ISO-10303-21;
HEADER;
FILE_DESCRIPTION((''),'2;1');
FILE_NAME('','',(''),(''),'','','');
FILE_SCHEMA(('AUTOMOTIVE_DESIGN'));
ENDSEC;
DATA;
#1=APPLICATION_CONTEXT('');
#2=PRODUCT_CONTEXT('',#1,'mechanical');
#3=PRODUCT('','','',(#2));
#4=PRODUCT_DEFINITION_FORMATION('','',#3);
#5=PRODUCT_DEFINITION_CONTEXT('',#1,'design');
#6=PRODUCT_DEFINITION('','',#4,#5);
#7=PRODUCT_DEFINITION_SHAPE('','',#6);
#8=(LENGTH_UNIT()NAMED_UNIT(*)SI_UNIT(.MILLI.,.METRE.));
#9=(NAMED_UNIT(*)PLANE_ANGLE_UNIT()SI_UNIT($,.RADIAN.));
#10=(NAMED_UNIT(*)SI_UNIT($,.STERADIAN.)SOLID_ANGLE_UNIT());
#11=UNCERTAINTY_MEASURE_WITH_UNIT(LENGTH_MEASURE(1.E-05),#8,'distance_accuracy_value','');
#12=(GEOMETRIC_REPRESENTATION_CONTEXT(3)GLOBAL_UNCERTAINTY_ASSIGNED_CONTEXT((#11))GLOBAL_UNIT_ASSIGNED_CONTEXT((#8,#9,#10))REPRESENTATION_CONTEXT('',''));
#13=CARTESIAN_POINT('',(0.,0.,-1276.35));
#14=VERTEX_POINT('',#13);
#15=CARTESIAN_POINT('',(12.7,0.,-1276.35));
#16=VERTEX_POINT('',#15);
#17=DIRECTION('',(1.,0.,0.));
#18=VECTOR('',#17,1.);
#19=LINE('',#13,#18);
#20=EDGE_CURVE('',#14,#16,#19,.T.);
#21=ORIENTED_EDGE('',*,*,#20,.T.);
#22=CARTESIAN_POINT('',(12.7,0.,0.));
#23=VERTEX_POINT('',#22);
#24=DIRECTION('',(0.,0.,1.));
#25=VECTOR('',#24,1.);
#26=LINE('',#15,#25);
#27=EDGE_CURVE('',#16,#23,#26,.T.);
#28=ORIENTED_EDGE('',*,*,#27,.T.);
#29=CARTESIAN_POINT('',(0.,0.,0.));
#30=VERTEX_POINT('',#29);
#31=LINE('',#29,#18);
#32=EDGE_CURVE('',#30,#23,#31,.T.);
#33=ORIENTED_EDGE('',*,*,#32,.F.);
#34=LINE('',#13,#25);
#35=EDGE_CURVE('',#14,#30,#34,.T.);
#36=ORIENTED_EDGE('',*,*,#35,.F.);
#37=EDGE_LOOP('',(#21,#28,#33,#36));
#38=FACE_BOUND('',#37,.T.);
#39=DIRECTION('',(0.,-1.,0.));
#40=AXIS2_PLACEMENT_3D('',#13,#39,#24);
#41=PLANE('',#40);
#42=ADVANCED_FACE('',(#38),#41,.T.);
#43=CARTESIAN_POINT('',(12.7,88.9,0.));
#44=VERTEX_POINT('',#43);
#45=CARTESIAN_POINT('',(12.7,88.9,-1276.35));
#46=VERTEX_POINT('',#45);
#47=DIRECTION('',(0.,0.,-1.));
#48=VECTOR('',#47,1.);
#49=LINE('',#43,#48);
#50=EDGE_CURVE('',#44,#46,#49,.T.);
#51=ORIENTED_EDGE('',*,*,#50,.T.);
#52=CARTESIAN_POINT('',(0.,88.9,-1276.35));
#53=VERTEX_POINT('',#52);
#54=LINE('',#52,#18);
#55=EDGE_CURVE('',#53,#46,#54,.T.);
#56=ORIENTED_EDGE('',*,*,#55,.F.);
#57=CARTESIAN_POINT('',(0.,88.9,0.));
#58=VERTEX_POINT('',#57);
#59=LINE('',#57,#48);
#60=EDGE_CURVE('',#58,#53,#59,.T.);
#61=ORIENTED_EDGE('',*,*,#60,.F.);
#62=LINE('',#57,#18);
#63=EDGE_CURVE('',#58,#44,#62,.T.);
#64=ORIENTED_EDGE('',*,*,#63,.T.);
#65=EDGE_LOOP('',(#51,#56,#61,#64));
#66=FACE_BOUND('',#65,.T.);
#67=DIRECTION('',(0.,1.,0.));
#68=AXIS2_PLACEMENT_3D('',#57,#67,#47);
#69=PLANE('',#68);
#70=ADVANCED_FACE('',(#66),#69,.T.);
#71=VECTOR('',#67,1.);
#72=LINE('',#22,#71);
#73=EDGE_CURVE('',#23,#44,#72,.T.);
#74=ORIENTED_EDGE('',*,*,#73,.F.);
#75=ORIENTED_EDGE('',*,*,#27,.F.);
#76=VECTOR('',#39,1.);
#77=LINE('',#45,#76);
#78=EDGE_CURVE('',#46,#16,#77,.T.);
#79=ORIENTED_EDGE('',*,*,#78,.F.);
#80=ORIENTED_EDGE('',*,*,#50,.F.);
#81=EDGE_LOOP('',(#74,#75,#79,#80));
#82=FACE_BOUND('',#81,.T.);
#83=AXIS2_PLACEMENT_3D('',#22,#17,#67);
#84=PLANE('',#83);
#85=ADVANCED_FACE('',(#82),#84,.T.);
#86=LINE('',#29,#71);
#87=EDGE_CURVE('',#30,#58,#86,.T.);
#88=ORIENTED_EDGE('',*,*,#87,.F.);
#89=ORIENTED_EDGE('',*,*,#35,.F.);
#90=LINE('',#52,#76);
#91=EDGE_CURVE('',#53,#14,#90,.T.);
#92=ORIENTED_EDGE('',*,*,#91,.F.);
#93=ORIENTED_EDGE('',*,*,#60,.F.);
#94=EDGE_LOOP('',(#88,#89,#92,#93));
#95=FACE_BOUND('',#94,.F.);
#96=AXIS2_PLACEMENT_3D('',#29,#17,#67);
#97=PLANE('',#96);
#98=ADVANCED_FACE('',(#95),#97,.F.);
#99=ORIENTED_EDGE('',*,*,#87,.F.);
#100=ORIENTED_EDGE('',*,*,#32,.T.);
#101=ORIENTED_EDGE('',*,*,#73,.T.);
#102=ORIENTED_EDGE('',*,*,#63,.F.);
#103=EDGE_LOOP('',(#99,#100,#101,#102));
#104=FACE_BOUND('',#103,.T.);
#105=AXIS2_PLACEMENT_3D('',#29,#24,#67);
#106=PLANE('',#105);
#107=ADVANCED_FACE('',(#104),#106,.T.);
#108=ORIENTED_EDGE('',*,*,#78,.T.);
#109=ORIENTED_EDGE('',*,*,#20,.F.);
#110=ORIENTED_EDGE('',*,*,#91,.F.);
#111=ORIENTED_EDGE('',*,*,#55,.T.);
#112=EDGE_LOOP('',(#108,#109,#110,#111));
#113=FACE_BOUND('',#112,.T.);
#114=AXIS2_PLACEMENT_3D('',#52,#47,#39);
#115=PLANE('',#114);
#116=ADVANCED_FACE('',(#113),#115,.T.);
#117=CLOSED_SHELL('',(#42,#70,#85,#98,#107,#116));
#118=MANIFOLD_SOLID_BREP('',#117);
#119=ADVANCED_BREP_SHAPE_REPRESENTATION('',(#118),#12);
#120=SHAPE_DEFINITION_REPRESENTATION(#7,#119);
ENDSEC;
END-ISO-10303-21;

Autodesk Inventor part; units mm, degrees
ref_plane "YZ Plane" through (0, 0, 0) normal (1, 0, 0) x (0, 1, 0)
ref_plane "XZ Plane" through (0, 0, 0) normal (0, 1, 0) x (-1, 0, 0)
ref_plane "XY Plane" through (0, 0, 0) normal (0, 0, 1) x (1, 0, 0)
sketch "Sketch1" plane through (0, 0, 0) normal (1, 0, 0) x (0, 1, 0)
  line L0 (0, 0) -> (88.9, 0)
  line L1 (88.9, 0) -> (88.9, -1276.35)
  line L2 (88.9, -1276.35) -> (0, -1276.35)
  line L3 (0, -1276.35) -> (0, 0)
  dimension "d1" = 1276.35
  dimension "d4" = 88.9
extrude "Extrusion1" add sketch "Sketch1" along normal blind 12.7
properties part number "Header_With_Dimensions_0.5_x_3.5_x_50.25_Inches" material "Wood (Birch)"
